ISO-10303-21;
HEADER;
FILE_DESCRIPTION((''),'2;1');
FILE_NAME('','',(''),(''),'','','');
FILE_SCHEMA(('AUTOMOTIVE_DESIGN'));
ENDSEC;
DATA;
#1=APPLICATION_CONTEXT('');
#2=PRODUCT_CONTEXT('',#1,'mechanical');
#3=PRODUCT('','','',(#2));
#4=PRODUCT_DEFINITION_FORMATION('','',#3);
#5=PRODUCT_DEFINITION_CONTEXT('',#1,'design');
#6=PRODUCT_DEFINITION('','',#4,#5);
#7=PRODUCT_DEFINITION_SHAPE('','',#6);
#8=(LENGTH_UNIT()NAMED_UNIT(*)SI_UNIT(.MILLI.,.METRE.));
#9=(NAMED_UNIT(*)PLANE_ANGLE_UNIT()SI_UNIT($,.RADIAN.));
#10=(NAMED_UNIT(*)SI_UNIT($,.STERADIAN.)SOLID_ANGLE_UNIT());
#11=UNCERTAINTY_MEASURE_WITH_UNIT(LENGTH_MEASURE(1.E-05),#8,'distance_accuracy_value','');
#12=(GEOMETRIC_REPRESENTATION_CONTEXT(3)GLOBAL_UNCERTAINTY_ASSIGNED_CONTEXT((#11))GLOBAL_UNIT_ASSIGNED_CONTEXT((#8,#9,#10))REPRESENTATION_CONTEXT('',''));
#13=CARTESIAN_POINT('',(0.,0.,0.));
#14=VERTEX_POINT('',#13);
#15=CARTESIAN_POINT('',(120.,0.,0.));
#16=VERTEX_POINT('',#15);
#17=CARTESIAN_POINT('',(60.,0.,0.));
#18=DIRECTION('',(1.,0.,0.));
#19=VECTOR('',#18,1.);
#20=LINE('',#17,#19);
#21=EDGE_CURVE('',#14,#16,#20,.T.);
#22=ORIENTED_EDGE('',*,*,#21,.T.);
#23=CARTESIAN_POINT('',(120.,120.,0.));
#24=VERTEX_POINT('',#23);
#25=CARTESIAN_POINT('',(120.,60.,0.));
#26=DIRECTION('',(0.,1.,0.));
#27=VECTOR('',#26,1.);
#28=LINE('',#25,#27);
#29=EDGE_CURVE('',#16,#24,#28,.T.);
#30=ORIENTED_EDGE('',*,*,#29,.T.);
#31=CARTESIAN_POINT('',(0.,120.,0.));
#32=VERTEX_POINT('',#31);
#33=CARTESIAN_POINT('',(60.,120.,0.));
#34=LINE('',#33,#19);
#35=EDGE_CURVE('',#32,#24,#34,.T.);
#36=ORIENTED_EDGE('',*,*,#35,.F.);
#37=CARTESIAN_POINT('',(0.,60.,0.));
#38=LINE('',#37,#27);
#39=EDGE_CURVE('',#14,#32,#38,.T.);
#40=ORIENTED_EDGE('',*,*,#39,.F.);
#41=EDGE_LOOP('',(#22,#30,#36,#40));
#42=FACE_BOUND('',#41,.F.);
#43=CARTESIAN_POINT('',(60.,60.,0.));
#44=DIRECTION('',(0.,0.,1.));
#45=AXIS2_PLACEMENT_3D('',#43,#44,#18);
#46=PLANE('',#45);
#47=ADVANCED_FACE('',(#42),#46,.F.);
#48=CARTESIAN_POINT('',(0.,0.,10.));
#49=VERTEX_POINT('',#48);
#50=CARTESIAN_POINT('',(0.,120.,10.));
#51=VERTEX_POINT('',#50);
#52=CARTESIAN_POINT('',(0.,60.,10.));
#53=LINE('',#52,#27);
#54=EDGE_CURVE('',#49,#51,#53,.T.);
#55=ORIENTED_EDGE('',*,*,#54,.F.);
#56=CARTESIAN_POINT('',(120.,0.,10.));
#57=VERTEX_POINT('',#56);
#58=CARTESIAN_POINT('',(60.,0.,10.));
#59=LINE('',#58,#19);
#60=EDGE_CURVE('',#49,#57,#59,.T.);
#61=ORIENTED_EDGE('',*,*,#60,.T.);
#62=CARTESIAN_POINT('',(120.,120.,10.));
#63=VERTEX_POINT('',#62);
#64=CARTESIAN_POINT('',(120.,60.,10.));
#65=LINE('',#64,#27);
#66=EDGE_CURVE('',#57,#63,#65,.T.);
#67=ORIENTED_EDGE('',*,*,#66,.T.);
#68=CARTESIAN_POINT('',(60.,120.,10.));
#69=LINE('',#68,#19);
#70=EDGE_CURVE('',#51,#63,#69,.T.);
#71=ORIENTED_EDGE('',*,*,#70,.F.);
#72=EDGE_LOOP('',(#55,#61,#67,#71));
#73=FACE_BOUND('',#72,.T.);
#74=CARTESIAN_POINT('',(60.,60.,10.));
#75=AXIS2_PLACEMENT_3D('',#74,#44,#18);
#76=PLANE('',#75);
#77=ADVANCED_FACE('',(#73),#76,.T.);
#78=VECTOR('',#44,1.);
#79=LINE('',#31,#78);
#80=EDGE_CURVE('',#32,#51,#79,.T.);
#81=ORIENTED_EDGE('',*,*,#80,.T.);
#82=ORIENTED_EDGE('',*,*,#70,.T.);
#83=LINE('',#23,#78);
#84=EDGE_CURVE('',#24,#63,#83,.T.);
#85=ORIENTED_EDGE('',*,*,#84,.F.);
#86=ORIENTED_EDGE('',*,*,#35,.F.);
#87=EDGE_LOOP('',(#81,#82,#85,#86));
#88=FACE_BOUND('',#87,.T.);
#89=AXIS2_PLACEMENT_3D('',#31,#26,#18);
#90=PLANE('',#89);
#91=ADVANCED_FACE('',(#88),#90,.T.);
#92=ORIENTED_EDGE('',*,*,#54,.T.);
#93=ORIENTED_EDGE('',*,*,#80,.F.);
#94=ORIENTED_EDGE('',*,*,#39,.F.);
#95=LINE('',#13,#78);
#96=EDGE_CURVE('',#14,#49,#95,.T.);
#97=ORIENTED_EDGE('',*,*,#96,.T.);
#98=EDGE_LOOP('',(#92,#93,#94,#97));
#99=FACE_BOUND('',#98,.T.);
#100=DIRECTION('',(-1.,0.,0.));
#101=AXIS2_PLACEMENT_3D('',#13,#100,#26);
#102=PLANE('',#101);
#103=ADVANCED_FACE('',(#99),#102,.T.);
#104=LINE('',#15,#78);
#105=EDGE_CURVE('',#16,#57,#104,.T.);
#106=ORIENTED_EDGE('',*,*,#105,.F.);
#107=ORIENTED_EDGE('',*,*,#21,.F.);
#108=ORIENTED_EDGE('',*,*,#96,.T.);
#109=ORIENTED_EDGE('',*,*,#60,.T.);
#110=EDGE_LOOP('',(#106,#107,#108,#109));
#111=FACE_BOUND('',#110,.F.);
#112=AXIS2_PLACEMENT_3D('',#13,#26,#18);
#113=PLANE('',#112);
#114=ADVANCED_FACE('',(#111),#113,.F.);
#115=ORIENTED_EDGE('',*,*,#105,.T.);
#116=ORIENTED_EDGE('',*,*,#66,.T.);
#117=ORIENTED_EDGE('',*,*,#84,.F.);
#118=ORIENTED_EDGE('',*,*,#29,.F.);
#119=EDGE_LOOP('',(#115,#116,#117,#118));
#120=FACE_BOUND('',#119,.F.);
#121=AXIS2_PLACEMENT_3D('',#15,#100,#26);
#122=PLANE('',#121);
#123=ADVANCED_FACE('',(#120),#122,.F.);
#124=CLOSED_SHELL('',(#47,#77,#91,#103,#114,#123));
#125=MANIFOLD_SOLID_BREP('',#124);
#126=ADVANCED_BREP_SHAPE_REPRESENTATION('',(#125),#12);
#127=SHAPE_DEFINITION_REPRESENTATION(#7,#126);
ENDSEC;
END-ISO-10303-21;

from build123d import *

# Parameters (mm, degrees)
SKETCH_W  = 120
SKETCH_H  = 120
PAD_DEPTH = 10


with BuildPart() as part:
    # Sketch → Pad (new body)
    with BuildSketch(Plane.XY):
        with Locations((60, 60)):
            Rectangle(SKETCH_W, SKETCH_H)
    extrude(amount=PAD_DEPTH)


solid = part.part
